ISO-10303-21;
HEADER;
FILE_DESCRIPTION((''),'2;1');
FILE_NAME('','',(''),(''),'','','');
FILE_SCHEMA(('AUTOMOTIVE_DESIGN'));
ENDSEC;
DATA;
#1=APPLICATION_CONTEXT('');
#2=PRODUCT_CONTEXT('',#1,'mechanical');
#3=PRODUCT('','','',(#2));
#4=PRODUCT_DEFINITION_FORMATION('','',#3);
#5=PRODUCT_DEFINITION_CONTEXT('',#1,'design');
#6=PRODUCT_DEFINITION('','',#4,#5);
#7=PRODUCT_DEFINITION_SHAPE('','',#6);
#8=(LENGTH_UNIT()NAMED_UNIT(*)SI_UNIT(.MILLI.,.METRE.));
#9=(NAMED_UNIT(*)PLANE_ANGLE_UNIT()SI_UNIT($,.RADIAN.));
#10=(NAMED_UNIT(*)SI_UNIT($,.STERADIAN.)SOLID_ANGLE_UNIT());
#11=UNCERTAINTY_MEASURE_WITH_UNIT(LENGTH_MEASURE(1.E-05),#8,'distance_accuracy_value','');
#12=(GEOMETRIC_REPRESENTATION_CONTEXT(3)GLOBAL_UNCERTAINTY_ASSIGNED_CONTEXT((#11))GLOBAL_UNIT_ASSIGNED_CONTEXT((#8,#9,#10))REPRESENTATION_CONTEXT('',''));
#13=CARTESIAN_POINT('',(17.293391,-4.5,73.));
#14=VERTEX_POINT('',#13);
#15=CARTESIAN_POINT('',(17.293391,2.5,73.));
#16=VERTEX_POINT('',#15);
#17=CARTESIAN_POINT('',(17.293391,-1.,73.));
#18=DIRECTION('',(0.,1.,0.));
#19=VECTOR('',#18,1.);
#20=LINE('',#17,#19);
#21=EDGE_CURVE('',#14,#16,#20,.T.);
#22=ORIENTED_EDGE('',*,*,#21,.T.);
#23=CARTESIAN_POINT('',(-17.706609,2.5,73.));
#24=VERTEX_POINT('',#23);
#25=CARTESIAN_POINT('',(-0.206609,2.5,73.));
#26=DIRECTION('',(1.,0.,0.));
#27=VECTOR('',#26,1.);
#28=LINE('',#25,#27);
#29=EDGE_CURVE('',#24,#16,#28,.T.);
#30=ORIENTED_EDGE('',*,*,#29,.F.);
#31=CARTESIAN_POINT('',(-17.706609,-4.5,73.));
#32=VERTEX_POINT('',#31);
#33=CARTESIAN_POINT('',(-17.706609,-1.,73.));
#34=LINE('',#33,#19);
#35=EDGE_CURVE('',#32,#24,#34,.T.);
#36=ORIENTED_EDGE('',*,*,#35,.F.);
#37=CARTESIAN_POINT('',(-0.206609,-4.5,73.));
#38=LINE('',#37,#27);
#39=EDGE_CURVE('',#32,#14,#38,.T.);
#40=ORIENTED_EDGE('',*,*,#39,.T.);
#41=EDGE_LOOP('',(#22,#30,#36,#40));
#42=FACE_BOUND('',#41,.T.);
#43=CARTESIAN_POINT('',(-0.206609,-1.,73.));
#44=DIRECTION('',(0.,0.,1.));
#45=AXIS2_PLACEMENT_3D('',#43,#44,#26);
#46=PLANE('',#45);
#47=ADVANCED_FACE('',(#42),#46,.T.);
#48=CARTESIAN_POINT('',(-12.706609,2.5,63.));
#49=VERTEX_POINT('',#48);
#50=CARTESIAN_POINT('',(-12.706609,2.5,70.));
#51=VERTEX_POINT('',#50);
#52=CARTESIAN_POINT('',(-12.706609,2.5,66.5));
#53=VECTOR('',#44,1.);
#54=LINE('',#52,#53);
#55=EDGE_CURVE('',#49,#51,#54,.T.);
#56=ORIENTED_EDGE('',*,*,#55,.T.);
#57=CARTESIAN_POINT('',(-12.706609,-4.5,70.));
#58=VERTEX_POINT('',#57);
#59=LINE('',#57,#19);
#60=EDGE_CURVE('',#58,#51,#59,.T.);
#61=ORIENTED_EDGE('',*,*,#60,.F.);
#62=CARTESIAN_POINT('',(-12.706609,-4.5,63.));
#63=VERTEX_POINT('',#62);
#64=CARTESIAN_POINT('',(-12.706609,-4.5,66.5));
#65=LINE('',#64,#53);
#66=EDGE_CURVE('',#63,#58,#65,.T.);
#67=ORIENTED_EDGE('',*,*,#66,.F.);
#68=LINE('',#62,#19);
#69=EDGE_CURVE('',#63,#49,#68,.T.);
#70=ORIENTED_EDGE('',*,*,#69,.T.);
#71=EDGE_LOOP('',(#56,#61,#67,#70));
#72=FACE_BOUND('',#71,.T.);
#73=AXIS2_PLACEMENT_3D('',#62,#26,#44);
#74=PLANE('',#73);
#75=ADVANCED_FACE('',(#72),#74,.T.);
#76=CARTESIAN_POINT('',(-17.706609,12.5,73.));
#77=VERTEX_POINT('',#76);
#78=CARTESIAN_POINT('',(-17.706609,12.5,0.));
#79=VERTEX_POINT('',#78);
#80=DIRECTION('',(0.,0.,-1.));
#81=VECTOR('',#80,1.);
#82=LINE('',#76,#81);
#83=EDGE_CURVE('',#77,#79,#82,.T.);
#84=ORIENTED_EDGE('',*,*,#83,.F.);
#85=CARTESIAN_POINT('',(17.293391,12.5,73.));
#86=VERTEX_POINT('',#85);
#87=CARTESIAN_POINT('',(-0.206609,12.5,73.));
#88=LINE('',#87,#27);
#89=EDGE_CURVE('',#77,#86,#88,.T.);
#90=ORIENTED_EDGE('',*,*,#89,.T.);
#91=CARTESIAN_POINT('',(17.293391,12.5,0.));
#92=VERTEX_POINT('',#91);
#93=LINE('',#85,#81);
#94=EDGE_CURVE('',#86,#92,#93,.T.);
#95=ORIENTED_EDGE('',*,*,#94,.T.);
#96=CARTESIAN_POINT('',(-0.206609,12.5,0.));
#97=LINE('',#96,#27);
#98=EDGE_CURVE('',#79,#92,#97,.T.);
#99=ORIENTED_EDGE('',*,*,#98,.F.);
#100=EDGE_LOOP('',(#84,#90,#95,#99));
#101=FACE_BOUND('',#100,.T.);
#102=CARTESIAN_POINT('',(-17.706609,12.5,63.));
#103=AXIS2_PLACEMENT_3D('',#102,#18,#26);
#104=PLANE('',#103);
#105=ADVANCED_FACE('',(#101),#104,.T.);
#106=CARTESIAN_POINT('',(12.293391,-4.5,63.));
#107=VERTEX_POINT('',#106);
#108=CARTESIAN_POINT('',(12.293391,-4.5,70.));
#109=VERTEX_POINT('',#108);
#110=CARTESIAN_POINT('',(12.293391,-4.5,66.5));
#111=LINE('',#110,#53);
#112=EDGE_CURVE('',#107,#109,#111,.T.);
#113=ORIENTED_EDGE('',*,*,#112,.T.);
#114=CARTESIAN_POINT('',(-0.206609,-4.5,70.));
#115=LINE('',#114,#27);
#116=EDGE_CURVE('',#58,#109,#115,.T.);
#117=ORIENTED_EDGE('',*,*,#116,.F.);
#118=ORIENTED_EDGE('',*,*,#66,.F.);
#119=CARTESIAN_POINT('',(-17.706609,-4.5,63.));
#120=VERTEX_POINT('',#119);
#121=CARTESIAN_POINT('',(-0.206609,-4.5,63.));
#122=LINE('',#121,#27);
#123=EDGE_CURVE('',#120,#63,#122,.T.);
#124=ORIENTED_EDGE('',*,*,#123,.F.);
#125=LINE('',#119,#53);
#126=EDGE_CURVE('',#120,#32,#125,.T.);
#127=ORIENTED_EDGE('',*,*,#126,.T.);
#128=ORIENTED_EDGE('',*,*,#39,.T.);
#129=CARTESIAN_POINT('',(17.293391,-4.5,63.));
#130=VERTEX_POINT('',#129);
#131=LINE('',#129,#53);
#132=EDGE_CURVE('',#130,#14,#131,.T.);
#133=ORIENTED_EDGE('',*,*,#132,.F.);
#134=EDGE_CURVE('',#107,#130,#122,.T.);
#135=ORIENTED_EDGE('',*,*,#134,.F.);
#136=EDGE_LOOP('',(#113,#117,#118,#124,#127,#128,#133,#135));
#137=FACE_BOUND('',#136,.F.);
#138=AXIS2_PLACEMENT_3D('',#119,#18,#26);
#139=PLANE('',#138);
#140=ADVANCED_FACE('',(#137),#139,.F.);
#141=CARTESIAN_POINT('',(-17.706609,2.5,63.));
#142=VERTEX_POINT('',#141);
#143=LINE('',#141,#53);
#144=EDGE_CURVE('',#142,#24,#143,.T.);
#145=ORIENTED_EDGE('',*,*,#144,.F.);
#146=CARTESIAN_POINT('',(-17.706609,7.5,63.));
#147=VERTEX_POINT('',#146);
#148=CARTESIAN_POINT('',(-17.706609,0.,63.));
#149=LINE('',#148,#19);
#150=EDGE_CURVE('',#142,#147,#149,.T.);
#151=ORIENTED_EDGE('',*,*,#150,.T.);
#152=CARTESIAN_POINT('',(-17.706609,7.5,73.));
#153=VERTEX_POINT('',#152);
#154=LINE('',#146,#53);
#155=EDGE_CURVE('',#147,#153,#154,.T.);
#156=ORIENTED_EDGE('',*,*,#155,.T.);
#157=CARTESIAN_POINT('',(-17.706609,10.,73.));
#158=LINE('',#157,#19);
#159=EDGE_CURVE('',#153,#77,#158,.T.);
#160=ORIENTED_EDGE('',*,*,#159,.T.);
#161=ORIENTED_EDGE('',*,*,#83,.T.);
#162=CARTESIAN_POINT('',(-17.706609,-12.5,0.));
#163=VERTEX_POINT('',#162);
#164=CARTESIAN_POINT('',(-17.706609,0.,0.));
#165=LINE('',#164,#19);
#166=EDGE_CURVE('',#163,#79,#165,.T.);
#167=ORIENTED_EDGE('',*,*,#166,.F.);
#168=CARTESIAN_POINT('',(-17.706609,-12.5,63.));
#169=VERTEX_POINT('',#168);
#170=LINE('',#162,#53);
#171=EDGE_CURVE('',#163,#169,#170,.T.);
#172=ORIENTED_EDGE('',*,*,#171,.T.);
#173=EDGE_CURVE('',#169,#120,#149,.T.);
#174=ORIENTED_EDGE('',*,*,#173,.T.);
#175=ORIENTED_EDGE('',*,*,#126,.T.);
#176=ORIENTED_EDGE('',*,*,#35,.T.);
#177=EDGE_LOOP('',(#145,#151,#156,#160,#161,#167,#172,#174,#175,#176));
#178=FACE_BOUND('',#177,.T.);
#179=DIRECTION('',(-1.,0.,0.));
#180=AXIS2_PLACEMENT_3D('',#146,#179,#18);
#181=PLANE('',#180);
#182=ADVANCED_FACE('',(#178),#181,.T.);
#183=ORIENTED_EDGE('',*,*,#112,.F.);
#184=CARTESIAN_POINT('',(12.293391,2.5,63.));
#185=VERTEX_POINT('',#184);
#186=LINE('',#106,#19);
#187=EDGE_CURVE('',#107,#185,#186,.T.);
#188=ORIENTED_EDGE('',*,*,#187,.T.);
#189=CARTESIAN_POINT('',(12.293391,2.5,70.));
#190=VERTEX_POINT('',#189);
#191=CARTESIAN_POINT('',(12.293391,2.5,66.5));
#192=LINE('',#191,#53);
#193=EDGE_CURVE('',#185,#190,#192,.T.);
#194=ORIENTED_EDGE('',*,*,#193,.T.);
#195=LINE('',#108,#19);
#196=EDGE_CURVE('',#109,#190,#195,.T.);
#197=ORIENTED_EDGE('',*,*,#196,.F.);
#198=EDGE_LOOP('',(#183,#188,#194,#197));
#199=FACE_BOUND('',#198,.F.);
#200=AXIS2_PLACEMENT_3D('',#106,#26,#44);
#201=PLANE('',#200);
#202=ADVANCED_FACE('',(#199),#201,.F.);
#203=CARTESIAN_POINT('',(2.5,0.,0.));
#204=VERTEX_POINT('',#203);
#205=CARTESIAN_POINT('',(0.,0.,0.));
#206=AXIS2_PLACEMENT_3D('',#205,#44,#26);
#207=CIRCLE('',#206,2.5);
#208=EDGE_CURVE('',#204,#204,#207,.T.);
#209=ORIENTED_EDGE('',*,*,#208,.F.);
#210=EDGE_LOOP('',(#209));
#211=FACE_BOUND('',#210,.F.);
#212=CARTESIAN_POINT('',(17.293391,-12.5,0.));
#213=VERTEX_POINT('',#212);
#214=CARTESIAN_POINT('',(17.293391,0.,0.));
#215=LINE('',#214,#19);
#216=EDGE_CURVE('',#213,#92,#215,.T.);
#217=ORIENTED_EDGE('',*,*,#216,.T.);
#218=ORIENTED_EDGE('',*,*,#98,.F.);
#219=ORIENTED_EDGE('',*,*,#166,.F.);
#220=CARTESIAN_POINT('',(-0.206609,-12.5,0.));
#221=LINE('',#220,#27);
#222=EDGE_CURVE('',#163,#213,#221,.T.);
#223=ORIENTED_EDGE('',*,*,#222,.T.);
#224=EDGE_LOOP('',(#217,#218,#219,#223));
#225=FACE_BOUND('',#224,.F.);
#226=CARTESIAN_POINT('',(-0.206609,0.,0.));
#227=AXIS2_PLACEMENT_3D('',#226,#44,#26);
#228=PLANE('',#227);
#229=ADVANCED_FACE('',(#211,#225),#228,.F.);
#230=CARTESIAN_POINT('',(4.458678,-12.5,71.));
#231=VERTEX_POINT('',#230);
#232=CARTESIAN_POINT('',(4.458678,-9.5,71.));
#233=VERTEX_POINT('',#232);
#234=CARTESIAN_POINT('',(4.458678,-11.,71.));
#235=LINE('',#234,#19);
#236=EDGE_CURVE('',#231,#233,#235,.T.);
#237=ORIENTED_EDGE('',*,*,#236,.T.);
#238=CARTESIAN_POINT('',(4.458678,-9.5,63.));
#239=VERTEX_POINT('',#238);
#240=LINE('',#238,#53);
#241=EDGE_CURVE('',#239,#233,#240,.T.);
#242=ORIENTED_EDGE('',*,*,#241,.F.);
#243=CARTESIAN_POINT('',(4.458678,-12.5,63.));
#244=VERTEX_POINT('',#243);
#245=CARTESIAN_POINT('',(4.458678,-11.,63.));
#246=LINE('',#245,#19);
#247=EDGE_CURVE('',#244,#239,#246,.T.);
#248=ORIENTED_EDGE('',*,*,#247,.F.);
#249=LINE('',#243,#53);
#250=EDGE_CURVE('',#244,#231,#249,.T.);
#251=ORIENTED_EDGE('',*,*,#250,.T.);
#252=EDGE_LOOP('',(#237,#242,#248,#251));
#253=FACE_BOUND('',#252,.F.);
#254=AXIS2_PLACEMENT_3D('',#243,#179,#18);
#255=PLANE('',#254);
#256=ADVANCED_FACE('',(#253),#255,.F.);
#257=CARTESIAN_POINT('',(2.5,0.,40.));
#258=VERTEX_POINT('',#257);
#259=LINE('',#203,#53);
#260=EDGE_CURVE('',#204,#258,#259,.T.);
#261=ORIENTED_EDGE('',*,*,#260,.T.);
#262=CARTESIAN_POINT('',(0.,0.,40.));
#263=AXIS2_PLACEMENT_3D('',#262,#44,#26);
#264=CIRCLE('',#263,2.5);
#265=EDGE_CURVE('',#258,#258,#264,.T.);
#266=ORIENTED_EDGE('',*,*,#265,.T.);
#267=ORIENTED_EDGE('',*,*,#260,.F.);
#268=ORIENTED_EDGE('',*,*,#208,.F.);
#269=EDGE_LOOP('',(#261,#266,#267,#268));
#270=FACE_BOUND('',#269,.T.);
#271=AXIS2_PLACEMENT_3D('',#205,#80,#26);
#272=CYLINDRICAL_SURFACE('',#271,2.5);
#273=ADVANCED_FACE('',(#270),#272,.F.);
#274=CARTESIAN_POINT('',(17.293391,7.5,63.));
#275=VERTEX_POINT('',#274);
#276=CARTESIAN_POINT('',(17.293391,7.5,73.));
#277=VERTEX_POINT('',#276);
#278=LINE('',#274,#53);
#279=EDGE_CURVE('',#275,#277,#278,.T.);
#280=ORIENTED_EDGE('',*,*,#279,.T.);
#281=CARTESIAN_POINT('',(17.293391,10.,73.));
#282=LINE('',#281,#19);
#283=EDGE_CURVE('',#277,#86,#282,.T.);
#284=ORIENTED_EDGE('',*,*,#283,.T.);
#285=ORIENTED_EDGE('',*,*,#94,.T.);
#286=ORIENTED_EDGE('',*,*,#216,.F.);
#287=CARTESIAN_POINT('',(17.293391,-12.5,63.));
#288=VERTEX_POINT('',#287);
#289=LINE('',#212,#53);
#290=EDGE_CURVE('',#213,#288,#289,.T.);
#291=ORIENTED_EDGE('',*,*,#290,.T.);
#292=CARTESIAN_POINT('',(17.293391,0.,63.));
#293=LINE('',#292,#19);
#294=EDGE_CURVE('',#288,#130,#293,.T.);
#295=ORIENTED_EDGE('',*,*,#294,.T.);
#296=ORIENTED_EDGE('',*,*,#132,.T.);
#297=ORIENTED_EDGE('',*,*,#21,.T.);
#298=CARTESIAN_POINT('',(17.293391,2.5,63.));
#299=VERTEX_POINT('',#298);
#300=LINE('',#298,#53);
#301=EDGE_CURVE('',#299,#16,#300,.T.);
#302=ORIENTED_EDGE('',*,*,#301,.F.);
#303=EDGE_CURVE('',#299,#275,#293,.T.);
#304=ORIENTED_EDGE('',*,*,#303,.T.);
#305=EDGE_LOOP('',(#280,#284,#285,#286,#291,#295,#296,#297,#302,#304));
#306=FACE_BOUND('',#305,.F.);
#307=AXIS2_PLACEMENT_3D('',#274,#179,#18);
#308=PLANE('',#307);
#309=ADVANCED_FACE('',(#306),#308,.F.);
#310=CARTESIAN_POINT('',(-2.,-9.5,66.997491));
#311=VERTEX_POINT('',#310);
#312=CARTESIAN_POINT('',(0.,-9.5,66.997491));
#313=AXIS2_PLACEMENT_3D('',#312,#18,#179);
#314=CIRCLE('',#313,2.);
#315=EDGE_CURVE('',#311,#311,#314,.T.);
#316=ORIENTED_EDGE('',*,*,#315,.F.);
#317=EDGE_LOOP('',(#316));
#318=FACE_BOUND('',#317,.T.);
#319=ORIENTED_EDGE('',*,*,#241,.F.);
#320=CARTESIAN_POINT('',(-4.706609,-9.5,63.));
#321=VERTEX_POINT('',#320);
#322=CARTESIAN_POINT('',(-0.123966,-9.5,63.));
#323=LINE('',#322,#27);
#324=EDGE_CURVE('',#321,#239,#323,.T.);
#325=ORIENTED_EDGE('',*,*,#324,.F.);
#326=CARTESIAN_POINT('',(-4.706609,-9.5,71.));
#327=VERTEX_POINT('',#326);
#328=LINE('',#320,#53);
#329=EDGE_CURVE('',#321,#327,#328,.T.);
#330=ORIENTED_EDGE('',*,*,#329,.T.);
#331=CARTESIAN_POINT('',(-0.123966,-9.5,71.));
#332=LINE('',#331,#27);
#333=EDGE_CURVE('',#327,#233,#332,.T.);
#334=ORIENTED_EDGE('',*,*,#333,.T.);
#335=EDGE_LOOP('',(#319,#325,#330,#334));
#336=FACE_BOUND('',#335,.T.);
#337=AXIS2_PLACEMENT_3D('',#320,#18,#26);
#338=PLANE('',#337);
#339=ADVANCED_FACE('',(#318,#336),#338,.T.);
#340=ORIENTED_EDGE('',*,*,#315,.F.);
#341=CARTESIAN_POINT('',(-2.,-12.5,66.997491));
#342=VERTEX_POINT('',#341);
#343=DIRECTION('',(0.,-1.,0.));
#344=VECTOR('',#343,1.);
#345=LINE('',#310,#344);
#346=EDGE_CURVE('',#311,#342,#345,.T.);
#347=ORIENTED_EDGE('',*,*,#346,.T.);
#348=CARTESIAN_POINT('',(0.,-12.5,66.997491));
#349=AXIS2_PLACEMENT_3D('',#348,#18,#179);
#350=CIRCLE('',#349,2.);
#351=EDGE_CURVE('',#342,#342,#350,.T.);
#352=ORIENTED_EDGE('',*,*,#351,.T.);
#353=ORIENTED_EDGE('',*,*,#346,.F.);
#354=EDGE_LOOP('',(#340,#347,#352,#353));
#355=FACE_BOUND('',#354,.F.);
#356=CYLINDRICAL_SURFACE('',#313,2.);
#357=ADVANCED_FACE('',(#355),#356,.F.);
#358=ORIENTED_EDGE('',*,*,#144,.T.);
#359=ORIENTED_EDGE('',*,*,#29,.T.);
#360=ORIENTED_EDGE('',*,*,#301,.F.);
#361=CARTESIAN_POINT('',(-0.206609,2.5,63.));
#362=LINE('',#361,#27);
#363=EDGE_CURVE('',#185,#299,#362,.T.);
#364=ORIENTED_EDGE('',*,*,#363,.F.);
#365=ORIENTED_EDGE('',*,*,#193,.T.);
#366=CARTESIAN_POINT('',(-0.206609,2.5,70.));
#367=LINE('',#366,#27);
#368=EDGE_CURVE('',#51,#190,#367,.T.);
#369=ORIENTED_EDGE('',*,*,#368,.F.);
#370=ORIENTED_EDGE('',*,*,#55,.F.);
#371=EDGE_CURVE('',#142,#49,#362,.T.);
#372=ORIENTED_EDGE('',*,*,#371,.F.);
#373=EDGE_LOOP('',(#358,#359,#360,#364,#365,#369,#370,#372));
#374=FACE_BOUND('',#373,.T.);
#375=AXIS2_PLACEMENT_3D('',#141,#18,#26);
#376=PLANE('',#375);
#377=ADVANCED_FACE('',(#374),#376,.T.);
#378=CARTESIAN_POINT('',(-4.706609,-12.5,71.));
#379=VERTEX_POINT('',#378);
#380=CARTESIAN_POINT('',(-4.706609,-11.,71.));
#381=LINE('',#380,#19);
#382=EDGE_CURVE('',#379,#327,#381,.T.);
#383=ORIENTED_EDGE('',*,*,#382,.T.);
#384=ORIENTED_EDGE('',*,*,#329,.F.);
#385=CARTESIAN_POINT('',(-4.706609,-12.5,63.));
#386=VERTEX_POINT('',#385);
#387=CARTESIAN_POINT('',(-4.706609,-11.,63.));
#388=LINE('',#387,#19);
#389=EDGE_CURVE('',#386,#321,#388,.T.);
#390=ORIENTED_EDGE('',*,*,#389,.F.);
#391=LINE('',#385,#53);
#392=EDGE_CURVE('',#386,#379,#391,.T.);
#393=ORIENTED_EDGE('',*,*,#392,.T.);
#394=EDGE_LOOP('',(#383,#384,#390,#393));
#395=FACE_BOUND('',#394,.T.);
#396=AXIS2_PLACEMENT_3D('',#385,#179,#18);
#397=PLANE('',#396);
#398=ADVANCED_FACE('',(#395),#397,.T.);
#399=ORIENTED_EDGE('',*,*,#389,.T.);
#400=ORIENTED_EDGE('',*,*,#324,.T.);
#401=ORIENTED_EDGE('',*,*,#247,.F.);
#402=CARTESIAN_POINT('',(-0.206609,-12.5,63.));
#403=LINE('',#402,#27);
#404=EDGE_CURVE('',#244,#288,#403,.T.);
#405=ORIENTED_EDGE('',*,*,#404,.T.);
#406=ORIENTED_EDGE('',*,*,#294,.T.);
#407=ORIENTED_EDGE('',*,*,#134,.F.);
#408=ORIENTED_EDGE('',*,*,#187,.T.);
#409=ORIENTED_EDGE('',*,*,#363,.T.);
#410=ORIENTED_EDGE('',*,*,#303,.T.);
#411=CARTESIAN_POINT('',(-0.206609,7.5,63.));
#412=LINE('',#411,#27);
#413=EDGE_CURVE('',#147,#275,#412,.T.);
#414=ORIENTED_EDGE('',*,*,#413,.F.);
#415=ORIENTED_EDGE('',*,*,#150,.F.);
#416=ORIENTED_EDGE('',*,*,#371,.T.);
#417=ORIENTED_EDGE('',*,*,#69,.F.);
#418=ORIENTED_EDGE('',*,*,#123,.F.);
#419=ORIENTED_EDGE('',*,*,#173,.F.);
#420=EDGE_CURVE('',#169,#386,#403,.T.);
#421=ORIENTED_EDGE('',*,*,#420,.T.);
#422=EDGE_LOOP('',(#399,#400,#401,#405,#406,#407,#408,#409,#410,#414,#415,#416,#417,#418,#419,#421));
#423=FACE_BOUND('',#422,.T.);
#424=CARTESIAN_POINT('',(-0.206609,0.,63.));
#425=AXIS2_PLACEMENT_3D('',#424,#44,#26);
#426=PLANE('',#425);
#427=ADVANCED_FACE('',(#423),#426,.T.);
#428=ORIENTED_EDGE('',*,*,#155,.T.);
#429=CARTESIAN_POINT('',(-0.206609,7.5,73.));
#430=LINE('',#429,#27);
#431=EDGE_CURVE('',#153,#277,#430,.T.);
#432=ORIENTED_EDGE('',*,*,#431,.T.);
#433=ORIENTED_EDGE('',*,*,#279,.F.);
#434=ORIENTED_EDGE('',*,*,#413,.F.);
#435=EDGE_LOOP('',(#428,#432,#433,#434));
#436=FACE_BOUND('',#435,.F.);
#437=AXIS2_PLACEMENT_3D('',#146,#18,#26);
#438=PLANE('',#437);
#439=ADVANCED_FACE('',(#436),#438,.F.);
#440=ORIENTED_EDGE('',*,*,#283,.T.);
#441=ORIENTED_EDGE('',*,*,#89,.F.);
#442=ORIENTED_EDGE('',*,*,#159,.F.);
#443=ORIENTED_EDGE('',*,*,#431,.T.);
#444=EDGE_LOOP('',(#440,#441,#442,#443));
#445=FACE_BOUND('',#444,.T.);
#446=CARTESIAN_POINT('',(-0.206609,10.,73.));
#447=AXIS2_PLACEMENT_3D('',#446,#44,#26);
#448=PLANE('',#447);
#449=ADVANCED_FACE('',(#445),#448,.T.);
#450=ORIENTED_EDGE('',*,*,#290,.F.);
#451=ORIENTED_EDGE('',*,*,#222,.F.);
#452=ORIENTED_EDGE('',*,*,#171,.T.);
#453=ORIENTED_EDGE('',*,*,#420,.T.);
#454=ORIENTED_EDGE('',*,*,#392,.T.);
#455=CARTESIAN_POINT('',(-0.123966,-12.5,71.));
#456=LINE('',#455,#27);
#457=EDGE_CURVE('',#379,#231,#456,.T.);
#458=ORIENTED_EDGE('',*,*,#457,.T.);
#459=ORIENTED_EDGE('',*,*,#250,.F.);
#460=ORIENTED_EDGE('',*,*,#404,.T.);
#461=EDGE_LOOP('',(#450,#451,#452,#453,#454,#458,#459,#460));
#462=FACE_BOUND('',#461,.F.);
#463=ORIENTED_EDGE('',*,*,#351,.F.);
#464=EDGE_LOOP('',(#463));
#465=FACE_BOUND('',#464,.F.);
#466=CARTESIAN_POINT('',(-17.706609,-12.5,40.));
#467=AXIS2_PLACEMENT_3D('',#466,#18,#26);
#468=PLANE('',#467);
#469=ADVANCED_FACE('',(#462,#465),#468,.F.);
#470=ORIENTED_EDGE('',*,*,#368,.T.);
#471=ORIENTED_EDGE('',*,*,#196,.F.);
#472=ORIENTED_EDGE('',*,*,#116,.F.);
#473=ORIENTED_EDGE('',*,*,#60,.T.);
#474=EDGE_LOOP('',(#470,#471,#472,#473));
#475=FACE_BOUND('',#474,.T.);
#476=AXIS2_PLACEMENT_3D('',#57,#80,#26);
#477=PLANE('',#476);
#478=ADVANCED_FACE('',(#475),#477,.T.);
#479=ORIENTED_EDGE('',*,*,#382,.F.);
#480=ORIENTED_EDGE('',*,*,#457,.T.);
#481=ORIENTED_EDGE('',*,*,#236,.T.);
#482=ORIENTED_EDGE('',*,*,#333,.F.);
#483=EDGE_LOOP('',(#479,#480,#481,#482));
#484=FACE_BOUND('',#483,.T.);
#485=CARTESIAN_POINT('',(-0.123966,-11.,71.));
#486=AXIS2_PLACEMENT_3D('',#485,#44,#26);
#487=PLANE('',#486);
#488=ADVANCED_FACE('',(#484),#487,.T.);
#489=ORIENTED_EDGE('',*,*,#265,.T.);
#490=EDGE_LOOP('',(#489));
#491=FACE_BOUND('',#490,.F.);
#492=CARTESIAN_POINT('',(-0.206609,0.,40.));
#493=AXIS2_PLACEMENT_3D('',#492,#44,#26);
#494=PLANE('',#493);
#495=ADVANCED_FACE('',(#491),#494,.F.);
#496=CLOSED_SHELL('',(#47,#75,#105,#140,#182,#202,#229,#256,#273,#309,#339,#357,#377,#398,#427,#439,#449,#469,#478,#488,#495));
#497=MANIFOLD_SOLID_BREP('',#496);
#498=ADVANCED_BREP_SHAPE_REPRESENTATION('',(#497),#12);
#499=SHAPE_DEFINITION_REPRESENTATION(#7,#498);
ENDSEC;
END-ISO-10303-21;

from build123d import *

# Parameters (mm, degrees)
F0_W      = 35
F0_H      = 25
F0_R      = 2.5
F1_DEPTH  = 40
F2_W      = 35
F2_H      = 25
F3_DEPTH  = 23
F4_W      = 35
F4_H      = 5
F5_DEPTH  = 10
F6_W      = 35
F6_H      = 7
F7_DEPTH  = 10
F8_W      = 25
F8_H      = 7
F9_DEPTH  = 7
F10_W     = 9.1652874053
F10_H     = 3
F11_DEPTH = 8
F14_D     = 4
F14_DEPTH = 3.001


with BuildPart() as f1:
    # F0 (on Top) → F1 (new body)
    with BuildSketch(Plane.XY):
        with Locations((-0.2066092566, 0)):
            Rectangle(F0_W, F0_H)
        Circle(F0_R, mode=Mode.SUBTRACT)
    extrude(amount=F1_DEPTH)

    # F2 (on face) → F3 (join)
    with BuildSketch(Plane.XY.offset(40)):
        with Locations((-0.2066092566, 0)):
            Rectangle(F2_W, F2_H)
    extrude(amount=F3_DEPTH)

    # F4 (on face) → F5 (join)
    with BuildSketch(Plane.XY.offset(63)):
        with Locations((-0.2066092566, 10)):
            Rectangle(F4_W, F4_H)
    extrude(amount=F5_DEPTH)

    # F6 (on face) → F7 (join)
    with BuildSketch(Plane.XY.offset(63)):
        with Locations((-0.2066092566, -1)):
            Rectangle(F6_W, F6_H)
    extrude(amount=F7_DEPTH)

    # F8 (on face) → F9 (cut)
    with BuildSketch(Plane.XZ.offset(4.5)):
        with Locations((-0.2066092566, 66.5)):
            Rectangle(F8_W, F8_H)
    extrude(amount=-F9_DEPTH, mode=Mode.SUBTRACT)

    # F10 (on face) → F11 (join)
    with BuildSketch(Plane.XY.offset(63)):
        with Locations((-0.1239655539, -11)):
            Rectangle(F10_W, F10_H)
    extrude(amount=F11_DEPTH)

    # F14 (through all, one way)
    with BuildSketch(Plane(origin=(0, -9.5, 0), x_dir=(-1, 0, 0), z_dir=(0, 1, 0))):
        with Locations((0, 66.9974908233)):
            Circle(F14_D / 2)
    extrude(amount=-F14_DEPTH, mode=Mode.SUBTRACT)


solid = f1.part
